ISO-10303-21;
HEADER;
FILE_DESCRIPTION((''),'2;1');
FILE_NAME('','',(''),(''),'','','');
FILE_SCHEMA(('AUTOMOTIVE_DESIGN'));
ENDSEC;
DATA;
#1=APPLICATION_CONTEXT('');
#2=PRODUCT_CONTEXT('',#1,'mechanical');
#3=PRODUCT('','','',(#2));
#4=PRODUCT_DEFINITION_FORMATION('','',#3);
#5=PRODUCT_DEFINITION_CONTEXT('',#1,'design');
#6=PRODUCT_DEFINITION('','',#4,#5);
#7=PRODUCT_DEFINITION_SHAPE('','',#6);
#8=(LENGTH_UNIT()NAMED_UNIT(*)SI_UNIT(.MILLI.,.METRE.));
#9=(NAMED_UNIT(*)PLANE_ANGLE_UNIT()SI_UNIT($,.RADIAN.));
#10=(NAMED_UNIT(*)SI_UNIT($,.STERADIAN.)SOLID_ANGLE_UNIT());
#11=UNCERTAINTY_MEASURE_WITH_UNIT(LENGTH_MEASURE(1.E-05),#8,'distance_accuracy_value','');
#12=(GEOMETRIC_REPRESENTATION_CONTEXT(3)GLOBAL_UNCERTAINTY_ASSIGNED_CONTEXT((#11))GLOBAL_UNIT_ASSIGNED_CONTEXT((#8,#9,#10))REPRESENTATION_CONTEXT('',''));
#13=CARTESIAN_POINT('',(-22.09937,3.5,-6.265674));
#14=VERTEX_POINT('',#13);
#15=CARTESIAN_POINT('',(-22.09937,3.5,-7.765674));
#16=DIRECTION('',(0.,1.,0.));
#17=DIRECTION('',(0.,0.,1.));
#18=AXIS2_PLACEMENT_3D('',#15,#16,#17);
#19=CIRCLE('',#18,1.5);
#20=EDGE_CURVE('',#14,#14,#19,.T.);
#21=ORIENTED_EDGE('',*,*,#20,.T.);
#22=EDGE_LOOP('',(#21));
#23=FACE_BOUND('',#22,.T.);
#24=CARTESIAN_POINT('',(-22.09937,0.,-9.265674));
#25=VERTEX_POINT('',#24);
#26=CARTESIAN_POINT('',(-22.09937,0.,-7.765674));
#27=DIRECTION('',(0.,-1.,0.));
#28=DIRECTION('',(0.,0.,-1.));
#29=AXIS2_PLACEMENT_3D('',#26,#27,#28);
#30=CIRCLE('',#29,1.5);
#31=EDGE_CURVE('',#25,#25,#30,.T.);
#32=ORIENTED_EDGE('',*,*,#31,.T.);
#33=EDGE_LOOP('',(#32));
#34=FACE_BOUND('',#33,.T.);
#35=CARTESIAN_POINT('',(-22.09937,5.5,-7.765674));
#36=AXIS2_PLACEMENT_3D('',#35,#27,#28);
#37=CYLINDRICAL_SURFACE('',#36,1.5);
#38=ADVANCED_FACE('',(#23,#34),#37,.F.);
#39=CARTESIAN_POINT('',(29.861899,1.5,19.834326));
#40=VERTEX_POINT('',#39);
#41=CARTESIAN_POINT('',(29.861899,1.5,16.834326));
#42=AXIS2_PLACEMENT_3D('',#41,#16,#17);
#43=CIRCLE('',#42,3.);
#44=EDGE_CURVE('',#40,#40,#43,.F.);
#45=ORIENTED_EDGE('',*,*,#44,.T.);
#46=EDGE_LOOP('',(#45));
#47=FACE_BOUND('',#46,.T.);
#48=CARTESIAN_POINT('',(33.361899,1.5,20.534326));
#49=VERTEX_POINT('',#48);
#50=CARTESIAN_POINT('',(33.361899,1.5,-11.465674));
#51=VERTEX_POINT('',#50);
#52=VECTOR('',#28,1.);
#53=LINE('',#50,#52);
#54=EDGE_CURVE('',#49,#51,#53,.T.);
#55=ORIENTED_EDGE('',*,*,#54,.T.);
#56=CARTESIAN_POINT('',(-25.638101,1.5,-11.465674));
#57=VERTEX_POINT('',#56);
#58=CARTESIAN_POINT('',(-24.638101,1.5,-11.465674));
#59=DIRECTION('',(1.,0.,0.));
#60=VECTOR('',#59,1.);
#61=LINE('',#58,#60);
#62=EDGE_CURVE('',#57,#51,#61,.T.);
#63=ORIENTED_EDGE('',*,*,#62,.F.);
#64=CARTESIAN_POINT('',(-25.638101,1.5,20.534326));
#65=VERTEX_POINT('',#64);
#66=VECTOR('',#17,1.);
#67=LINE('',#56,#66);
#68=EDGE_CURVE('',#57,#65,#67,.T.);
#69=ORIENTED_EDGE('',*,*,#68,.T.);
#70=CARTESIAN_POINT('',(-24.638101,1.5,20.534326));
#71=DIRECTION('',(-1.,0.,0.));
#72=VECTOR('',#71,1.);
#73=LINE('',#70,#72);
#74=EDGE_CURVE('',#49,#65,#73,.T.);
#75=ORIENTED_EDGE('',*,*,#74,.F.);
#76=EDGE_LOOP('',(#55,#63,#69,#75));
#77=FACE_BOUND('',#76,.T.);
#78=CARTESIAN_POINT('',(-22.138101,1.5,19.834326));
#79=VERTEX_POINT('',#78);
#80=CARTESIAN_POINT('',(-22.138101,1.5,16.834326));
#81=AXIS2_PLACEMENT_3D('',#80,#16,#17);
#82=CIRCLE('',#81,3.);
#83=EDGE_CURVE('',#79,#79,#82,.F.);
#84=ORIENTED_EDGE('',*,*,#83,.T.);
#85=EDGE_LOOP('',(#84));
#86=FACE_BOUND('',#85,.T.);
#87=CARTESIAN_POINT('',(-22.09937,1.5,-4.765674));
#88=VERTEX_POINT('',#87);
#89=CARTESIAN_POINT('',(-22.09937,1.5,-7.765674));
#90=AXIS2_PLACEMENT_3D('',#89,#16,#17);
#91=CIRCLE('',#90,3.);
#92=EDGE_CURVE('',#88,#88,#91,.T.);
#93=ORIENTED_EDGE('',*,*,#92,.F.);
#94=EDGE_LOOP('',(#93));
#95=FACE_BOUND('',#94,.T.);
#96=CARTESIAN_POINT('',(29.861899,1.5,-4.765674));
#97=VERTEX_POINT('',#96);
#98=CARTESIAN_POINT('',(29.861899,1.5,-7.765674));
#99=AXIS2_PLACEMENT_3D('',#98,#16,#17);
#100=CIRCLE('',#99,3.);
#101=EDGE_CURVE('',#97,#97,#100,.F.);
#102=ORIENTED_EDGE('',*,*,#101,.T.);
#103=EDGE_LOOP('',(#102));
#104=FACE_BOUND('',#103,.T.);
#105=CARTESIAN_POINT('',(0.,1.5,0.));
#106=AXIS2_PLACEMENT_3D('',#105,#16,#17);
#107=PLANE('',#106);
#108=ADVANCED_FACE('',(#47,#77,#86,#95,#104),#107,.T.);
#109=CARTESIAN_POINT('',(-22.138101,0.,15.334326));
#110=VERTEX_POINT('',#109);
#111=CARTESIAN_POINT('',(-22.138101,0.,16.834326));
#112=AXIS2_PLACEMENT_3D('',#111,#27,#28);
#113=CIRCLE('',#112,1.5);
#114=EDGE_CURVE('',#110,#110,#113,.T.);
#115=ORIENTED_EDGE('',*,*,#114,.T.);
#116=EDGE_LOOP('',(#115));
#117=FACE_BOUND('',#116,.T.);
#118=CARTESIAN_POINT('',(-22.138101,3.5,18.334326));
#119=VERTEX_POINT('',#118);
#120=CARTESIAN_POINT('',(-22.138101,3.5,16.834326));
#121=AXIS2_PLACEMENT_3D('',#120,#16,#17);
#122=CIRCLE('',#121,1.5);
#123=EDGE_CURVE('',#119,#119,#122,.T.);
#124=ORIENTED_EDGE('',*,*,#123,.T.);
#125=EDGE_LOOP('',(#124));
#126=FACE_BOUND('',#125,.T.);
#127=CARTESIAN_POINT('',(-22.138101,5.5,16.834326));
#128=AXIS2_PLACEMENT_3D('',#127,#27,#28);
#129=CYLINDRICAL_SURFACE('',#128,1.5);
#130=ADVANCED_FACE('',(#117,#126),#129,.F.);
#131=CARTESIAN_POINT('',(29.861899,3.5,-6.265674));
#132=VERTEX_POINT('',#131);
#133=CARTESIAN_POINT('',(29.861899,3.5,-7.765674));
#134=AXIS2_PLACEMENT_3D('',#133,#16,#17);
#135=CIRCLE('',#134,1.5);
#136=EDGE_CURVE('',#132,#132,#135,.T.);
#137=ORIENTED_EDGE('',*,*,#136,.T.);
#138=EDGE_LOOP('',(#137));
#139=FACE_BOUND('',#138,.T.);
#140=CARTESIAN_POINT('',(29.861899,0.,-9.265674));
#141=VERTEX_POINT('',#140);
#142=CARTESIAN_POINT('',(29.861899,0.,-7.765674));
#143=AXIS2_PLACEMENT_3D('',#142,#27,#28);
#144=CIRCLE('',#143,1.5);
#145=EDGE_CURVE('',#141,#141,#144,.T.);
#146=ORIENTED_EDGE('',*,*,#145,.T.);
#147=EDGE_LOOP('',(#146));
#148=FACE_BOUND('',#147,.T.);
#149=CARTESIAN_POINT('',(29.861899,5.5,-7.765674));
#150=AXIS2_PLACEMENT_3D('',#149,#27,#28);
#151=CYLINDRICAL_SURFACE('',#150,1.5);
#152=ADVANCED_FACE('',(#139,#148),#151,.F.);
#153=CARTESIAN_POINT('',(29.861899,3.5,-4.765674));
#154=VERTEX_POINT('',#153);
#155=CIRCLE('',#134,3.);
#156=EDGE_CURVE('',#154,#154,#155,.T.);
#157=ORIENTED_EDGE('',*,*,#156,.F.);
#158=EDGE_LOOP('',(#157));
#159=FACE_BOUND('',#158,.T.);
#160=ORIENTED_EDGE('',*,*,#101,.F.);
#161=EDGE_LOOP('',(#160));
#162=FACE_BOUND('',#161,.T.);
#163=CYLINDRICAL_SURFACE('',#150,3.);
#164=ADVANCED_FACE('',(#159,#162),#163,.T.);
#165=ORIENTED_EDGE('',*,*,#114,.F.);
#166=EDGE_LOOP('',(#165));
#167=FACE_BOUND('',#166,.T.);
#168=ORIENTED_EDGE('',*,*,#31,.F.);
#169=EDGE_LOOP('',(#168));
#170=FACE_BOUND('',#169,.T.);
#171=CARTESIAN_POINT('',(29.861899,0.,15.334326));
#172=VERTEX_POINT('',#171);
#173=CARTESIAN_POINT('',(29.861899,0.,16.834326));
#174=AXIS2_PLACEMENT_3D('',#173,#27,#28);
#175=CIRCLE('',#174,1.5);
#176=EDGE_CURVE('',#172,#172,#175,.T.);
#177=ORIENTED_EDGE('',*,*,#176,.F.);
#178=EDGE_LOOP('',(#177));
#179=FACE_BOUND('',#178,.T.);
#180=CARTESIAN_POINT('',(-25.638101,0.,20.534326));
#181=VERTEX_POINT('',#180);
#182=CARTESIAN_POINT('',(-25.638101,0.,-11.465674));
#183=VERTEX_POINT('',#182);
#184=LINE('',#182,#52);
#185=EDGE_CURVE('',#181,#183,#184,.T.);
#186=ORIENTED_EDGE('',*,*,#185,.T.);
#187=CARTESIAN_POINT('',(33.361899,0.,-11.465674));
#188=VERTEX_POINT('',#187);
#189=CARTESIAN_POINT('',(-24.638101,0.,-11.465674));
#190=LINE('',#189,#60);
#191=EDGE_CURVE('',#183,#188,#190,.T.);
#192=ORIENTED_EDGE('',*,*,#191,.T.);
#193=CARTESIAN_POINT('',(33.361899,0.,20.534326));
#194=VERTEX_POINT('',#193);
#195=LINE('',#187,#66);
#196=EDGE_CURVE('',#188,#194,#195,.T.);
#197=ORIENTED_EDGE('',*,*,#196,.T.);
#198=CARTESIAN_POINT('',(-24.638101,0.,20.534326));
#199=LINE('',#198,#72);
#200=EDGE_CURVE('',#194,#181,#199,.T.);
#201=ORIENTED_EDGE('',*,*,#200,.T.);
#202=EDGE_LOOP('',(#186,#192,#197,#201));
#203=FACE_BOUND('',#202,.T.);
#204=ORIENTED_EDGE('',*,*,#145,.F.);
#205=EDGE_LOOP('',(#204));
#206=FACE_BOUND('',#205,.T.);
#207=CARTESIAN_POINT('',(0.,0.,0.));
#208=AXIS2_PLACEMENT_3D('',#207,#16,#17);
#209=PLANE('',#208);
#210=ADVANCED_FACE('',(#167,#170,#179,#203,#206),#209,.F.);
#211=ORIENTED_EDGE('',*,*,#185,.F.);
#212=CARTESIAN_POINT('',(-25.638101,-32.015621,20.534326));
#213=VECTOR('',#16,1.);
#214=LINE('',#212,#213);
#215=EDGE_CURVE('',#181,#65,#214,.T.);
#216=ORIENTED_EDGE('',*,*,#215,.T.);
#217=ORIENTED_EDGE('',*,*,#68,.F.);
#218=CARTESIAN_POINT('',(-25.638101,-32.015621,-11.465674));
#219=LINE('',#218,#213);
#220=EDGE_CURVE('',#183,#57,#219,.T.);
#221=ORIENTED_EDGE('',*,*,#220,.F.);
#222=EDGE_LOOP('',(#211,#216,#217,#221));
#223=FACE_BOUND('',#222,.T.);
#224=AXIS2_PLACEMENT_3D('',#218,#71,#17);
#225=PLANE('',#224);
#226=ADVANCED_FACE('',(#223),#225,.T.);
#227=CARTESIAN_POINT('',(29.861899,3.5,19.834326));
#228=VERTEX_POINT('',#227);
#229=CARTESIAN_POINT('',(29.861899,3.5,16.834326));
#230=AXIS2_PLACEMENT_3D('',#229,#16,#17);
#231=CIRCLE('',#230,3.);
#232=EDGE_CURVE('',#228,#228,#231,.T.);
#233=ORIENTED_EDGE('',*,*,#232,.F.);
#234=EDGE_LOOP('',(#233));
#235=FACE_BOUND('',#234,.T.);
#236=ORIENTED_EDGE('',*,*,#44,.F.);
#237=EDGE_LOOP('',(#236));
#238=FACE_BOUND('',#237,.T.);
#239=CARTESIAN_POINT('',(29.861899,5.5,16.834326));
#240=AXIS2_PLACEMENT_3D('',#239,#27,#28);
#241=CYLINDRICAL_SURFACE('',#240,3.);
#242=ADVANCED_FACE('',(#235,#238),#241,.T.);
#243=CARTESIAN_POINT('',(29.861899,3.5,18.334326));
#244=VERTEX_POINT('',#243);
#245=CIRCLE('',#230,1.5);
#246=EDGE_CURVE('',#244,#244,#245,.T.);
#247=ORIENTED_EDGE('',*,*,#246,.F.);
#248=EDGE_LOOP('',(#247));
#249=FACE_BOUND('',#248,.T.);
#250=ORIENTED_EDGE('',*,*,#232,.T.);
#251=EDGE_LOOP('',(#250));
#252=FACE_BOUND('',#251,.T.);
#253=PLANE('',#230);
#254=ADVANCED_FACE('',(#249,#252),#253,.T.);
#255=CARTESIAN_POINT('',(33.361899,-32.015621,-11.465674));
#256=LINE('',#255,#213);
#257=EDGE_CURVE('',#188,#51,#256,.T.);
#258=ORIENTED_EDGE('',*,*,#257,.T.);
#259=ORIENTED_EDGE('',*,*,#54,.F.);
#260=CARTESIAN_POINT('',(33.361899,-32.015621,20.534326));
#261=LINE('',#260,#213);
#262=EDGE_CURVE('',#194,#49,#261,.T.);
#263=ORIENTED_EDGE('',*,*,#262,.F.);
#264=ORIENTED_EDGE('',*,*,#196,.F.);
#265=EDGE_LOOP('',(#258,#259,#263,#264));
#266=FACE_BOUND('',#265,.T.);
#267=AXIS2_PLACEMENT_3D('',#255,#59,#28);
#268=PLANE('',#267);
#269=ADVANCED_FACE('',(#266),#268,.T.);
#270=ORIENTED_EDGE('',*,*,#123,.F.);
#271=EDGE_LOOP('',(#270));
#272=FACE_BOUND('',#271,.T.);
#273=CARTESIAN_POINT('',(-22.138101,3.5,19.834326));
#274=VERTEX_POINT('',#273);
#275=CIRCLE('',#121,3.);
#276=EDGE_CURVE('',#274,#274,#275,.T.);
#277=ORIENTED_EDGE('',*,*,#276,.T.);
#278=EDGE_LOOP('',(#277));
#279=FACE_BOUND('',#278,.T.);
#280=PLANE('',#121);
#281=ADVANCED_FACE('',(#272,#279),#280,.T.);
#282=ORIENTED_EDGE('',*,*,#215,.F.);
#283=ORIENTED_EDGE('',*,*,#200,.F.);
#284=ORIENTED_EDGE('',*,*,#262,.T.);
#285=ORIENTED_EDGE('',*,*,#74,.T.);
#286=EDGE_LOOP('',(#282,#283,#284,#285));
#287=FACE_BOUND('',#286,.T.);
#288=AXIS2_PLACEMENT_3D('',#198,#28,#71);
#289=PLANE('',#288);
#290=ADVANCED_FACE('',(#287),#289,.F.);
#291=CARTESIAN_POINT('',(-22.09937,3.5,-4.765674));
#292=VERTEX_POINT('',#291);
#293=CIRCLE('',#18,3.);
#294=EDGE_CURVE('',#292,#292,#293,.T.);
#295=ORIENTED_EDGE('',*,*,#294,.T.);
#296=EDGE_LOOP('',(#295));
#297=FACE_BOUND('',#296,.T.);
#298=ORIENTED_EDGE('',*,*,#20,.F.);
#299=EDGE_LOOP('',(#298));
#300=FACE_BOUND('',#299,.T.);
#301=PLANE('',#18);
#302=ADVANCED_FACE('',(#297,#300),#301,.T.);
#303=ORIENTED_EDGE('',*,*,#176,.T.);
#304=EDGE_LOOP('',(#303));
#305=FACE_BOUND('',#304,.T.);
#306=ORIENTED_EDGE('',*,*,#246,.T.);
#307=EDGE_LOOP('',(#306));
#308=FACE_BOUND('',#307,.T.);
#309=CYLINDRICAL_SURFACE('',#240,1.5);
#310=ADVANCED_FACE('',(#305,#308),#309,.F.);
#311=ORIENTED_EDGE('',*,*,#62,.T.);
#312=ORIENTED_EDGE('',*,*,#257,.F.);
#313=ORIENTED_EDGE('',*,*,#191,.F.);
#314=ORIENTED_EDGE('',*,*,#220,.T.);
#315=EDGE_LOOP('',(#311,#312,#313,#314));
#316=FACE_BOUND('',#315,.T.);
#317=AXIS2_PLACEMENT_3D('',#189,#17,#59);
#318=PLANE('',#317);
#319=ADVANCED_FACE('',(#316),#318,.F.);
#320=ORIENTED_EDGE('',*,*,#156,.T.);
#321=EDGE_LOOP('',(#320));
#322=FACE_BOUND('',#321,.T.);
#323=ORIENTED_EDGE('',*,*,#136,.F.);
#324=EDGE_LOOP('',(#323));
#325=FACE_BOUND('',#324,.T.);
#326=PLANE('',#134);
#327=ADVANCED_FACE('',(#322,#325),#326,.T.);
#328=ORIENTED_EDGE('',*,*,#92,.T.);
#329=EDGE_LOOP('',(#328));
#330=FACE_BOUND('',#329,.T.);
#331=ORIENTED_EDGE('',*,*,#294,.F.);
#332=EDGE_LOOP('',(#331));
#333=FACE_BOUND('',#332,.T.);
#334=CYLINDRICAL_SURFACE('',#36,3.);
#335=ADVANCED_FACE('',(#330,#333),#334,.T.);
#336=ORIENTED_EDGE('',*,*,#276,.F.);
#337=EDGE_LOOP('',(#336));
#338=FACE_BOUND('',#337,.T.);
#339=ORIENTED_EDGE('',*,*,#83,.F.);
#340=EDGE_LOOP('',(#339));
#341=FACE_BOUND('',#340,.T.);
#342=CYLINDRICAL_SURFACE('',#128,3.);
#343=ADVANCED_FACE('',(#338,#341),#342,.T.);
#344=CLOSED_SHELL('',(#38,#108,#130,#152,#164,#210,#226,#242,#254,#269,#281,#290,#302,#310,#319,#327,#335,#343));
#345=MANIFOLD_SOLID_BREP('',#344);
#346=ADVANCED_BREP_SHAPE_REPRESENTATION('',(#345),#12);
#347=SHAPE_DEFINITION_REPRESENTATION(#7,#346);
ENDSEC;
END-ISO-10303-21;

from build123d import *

# Parameters (mm, degrees)
SKETCH_2_W          = 57
SKETCH_2_H          = 40.4
EXTRUDE_1_DEPTH     = 1.5
SKETCH_4_R          = 3
SKETCH_4_R_2        = 1.5
EXTRUDE_3_DEPTH     = 4
SKETCH_5_W          = 57
SKETCH_5_H          = 4.2
CUT_EXTRUDE_1_DEPTH = 2.5
SKETCH_6_W          = 1
SKETCH_6_H          = 32
EXTRUDE_4_DEPTH     = 1.5
SKETCH_8_R          = 3
SKETCH_8_R_2        = 1.5
CUT_EXTRUDE_3_DEPTH = 2
SKETCH_7_R          = 1.5
CUT_EXTRUDE_4_DEPTH = 4.5


with BuildPart() as part:
    # 草图2 → 凸台-拉伸1 (new body)
    with BuildSketch(Plane(origin=(0, 0, 0), x_dir=(1, 0, 0), z_dir=(0, 1, 0))):
        with Locations((3.861898857, -4.534326193)):
            Rectangle(SKETCH_2_W, SKETCH_2_H)
    extrude(amount=EXTRUDE_1_DEPTH)

    # 草图4 → 凸台-拉伸3 (add)
    with BuildSketch(Plane(origin=(0, 1.5, 0), x_dir=(1, 0, 0), z_dir=(0, 1, 0))):
        with Locations((-22.099370277, 7.765673807)):
            Circle(SKETCH_4_R)
        with Locations((-22.099370277, 7.765673807)):
            Circle(SKETCH_4_R_2, mode=Mode.SUBTRACT)
        with Locations((-22.138101143, -16.834326193)):
            Circle(SKETCH_4_R)
        with Locations((-22.138101143, -16.834326193)):
            Circle(SKETCH_4_R_2, mode=Mode.SUBTRACT)
        with Locations((29.861898857, -16.834326193)):
            Circle(SKETCH_4_R)
        with Locations((29.861898857, -16.834326193)):
            Circle(SKETCH_4_R_2, mode=Mode.SUBTRACT)
        with Locations((29.861898857, 7.765673807)):
            Circle(SKETCH_4_R)
        with Locations((29.861898857, 7.765673807)):
            Circle(SKETCH_4_R_2, mode=Mode.SUBTRACT)
    extrude(amount=EXTRUDE_3_DEPTH)

    # 草图5 → 切除-拉伸1 (cut, through all)
    with BuildSketch(Plane(origin=(0, 1.5, 0), x_dir=(1, 0, 0), z_dir=(0, 1, 0))):
        with Locations((3.861898857, 13.565673807)):
            Rectangle(SKETCH_5_W, SKETCH_5_H)
        with Locations((3.861898857, -22.634326193)):
            Rectangle(SKETCH_5_W, SKETCH_5_H)
    extrude(amount=-CUT_EXTRUDE_1_DEPTH, mode=Mode.SUBTRACT)

    # 草图6 → 凸台-拉伸4 (add)
    with BuildSketch(Plane(origin=(0, 1.5, 0), x_dir=(1, 0, 0), z_dir=(0, 1, 0))):
        with Locations((-25.138101143, -4.534326193)):
            Rectangle(SKETCH_6_W, SKETCH_6_H)
        with Locations((32.861898857, -4.534326193)):
            Rectangle(SKETCH_6_W, SKETCH_6_H)
    extrude(amount=-EXTRUDE_4_DEPTH)

    # 草图8 → 切除-拉伸3 (cut)
    with BuildSketch(Plane(origin=(0, 5.5, 0), x_dir=(1, 0, 0), z_dir=(0, 1, 0))):
        with Locations((-22.138101143, -16.834326193)):
            Circle(SKETCH_8_R)
        with Locations((29.861898857, -16.834326193)):
            Circle(SKETCH_8_R)
        with Locations((29.861898857, -16.834326193)):
            Circle(SKETCH_8_R_2, mode=Mode.SUBTRACT)
        with Locations((29.861898857, 7.765673807)):
            Circle(SKETCH_8_R)
        with Locations((29.861898857, 7.765673807)):
            Circle(SKETCH_8_R_2, mode=Mode.SUBTRACT)
        with Locations((-22.099370277, 7.765673807)):
            Circle(SKETCH_8_R)
        with Locations((-22.099370277, 7.765673807)):
            Circle(SKETCH_8_R_2, mode=Mode.SUBTRACT)
    extrude(amount=-CUT_EXTRUDE_3_DEPTH, mode=Mode.SUBTRACT)

    # 草图7 → 切除-拉伸4 (cut, through all)
    with BuildSketch(Plane.XZ):
        with Locations((29.861898857, 16.834326193)):
            Circle(SKETCH_7_R)
        with Locations((29.861898857, -7.765673807)):
            Circle(SKETCH_7_R)
        with Locations((-22.099370277, -7.765673807)):
            Circle(SKETCH_7_R)
        with Locations((-22.138101143, 16.834326193)):
            Circle(SKETCH_7_R)
    extrude(amount=-CUT_EXTRUDE_4_DEPTH, mode=Mode.SUBTRACT)


solid = part.part
